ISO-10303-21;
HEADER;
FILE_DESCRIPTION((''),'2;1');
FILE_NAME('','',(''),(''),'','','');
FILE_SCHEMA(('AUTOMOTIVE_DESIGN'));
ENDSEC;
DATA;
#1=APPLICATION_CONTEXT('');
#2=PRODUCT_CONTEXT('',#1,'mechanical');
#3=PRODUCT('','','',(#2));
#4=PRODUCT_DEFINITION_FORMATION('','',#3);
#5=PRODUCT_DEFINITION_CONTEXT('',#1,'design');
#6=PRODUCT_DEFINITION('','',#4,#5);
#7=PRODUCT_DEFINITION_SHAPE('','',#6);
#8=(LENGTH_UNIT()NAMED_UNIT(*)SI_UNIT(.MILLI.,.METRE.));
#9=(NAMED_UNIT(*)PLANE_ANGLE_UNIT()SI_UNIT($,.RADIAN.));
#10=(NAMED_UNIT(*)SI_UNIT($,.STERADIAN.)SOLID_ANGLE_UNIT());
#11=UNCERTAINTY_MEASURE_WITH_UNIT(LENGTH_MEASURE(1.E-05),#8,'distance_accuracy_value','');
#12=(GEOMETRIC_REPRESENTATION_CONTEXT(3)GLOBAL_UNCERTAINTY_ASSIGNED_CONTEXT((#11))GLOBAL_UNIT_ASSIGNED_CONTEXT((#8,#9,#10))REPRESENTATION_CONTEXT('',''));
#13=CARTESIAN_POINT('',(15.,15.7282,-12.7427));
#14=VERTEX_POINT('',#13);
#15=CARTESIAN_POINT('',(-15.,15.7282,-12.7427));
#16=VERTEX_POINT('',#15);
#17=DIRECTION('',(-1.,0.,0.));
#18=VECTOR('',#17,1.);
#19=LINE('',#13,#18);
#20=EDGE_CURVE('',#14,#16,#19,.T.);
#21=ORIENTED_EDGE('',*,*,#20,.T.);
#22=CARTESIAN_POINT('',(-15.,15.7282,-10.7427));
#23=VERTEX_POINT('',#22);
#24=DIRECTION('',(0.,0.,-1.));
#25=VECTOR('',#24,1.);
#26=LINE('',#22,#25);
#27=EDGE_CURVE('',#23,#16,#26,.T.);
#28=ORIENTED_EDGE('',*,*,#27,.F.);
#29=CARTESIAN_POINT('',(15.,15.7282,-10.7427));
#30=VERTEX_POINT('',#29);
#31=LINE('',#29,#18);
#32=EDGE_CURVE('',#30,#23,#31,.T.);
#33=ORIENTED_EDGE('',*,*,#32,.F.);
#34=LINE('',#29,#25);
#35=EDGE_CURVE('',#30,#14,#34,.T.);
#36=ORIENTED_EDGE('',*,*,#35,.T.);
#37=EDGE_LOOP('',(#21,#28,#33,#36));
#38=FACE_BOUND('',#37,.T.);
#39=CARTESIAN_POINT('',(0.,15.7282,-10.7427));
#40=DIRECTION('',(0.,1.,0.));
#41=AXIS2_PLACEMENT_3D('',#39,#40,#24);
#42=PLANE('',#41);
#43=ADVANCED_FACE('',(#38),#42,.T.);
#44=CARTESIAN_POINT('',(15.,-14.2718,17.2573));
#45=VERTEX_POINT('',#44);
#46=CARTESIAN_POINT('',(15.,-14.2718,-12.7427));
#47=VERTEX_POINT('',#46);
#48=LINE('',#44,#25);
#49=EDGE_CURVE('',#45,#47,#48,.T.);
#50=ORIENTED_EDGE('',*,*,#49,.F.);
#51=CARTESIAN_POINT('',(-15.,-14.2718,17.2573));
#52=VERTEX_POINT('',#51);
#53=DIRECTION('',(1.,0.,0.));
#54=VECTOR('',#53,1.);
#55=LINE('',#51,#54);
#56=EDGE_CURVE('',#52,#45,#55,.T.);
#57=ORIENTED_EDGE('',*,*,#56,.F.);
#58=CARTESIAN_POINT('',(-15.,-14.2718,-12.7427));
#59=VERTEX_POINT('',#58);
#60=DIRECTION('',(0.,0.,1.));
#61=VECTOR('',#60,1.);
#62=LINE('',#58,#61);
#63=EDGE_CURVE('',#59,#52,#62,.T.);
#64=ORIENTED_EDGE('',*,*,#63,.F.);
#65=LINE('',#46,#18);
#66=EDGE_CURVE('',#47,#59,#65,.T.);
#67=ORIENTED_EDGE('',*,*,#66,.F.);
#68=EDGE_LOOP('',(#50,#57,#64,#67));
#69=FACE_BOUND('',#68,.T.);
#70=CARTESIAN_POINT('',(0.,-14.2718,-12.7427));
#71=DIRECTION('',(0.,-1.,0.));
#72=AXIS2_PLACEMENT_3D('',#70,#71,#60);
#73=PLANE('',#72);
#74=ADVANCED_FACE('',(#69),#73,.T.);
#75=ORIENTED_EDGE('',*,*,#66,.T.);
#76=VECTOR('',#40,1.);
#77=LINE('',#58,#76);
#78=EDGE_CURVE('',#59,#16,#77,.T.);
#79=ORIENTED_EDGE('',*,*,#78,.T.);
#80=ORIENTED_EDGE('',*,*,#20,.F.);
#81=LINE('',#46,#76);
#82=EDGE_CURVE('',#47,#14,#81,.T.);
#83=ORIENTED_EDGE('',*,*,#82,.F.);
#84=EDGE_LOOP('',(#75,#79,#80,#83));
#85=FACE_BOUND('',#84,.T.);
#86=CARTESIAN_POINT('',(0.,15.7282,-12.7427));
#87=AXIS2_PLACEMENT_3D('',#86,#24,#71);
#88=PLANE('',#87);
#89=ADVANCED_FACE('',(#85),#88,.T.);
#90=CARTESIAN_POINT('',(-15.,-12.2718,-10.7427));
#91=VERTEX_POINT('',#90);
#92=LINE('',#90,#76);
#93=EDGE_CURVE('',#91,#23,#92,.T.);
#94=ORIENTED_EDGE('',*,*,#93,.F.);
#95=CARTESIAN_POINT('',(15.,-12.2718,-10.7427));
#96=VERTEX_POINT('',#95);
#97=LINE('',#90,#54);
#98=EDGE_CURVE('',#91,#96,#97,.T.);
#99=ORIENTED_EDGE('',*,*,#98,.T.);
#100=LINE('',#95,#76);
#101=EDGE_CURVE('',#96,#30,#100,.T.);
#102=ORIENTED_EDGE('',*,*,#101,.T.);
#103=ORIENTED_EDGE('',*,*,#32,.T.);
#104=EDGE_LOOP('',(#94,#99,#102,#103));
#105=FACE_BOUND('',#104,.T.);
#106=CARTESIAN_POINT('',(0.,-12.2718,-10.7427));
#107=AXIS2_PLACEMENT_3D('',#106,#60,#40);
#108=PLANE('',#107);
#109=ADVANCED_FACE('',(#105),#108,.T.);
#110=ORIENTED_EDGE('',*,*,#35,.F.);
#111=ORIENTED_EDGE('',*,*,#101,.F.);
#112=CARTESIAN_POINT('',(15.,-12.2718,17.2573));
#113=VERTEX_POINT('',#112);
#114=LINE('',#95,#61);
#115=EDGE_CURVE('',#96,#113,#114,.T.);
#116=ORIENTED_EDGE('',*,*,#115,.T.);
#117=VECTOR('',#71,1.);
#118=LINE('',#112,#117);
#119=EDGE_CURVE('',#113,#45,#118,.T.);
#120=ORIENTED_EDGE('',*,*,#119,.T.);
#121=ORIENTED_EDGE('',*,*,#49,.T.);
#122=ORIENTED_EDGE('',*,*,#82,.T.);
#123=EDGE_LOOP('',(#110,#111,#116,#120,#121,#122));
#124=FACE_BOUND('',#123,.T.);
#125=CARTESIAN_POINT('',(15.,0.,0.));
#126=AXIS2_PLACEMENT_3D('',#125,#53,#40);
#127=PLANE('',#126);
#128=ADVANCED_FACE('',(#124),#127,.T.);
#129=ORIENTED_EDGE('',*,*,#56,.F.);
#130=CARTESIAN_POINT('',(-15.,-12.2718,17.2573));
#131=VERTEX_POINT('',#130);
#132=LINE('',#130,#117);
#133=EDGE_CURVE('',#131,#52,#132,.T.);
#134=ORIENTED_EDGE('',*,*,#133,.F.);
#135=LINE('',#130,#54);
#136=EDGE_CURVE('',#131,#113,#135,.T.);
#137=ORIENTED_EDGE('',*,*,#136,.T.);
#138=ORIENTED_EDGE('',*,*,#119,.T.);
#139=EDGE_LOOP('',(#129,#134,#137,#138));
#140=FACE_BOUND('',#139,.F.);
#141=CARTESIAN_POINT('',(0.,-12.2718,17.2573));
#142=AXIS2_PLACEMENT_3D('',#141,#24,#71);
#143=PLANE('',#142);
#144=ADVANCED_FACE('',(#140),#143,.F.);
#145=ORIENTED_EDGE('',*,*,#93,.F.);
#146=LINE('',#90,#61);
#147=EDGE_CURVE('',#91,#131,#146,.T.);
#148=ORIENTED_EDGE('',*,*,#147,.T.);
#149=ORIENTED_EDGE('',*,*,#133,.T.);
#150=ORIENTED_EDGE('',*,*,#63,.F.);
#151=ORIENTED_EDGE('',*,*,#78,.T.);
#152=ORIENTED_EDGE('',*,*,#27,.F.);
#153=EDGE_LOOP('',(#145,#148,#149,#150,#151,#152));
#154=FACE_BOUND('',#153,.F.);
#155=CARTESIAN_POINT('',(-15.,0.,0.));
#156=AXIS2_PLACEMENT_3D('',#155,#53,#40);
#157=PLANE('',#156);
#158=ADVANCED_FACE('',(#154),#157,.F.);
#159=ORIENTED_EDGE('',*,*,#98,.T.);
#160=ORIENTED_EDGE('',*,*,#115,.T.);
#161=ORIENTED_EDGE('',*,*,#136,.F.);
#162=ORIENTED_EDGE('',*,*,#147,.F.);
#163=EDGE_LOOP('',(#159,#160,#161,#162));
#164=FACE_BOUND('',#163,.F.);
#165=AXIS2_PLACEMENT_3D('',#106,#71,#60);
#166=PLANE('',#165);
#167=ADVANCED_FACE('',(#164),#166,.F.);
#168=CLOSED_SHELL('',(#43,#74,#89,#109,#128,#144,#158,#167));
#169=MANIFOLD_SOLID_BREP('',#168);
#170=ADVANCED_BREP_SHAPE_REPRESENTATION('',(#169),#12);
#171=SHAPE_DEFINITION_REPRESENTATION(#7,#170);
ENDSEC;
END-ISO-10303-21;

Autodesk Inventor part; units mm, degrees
ref_plane "YZ Plane" through (0, 0, 0) normal (1, 0, 0) x (0, 1, 0)
ref_plane "XZ Plane" through (0, 0, 0) normal (0, 1, 0) x (-1, 0, 0)
ref_plane "XY Plane" through (0, 0, 0) normal (0, 0, 1) x (1, 0, 0)
sketch "Skizze1" plane through (0, 0, 0) normal (1, 0, 0) x (0, 1, 0)
  line L0 (-12.2718, -10.7427) -> (15.7282, -10.7427)
  line L1 (15.7282, -10.7427) -> (15.7282, -12.7427)
  line L2 (15.7282, -12.7427) -> (-14.2718, -12.7427)
  line L3 (-14.2718, -12.7427) -> (-14.2718, 3.7136)
  line L4 (-14.2718, -12.7427) -> (-6.9903, -12.7427)
  line L5 (-12.2718, -10.7427) -> (-12.2718, 17.2573)
  line L6 (-12.2718, 17.2573) -> (-14.2718, 17.2573)
  line L7 (-14.2718, 17.2573) -> (-14.2718, -12.7427)
  point P0 (0, 0)
  dimension "d0" = 30
  dimension "d1" = 30
  dimension "d2" = 2
  dimension "d3" = 2
extrude "Extrusion1" add sketch "Skizze1" along normal mid plane 30
properties part number "Winkel"
